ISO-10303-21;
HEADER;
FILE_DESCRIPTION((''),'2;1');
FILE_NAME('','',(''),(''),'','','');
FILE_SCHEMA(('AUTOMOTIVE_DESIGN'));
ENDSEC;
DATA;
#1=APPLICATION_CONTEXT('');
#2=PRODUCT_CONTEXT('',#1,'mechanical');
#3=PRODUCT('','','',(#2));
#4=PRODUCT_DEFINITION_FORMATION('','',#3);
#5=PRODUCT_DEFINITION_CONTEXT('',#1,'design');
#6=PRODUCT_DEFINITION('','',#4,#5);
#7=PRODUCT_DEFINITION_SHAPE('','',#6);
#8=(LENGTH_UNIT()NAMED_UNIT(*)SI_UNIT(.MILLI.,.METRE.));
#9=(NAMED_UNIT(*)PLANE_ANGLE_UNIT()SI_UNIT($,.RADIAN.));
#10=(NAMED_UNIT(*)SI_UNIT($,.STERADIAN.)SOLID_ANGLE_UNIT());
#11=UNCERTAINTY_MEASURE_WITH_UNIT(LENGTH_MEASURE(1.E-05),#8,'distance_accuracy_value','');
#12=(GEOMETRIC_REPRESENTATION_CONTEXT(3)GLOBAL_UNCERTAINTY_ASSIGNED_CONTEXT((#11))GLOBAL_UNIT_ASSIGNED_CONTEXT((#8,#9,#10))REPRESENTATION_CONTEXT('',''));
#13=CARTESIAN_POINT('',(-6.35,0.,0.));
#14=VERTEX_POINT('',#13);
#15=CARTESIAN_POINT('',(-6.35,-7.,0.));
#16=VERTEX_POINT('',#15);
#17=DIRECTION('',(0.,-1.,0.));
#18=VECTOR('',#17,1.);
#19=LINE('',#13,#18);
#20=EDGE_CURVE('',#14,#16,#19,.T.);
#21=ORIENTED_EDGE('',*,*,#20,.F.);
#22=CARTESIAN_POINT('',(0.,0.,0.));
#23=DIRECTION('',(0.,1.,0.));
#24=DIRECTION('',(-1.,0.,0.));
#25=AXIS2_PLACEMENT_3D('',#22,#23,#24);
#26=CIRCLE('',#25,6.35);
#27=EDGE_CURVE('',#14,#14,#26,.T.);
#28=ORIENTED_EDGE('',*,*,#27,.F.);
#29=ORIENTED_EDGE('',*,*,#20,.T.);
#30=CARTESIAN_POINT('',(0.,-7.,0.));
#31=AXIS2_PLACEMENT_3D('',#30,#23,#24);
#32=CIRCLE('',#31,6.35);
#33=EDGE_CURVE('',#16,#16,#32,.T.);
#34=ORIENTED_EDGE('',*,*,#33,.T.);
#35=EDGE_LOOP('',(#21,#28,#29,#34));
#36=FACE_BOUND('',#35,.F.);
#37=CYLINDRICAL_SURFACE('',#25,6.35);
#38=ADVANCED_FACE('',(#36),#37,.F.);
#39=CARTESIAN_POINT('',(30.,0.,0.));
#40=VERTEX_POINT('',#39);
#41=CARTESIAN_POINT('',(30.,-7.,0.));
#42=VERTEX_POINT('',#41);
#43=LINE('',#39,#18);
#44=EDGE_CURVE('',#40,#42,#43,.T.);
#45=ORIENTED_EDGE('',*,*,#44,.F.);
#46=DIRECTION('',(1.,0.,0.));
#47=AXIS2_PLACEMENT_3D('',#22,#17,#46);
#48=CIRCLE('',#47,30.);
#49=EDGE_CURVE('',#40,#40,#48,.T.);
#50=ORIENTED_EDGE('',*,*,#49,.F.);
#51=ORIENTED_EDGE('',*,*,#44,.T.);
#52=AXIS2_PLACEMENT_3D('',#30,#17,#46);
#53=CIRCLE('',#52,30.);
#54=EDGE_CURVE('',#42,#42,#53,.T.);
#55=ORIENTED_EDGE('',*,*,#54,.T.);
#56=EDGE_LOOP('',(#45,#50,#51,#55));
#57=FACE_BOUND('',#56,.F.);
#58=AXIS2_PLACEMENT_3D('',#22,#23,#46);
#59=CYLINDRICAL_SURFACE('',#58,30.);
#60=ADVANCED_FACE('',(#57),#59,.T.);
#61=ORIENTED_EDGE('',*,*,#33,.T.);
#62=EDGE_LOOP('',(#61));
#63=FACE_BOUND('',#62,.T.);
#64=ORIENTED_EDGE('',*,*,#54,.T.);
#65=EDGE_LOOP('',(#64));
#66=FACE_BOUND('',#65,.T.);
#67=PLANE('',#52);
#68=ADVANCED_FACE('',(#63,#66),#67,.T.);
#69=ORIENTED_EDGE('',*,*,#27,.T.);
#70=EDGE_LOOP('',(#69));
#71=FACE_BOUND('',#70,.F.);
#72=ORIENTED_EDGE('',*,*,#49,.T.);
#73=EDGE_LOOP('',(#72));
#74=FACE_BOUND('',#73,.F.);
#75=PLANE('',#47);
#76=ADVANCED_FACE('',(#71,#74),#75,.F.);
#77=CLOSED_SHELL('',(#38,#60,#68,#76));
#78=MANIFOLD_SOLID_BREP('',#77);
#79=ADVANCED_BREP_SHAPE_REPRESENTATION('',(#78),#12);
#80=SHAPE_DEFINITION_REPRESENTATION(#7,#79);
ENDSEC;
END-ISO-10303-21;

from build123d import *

# Parameters (mm, degrees)
F0_R     = 30
F1_DEPTH = 7
F2_R     = 6.35
F3_DEPTH = 7.001


with BuildPart() as f1:
    # F0 (on Front) → F1 (new body)
    with BuildSketch(Plane.XZ):
        Circle(F0_R)
    extrude(amount=F1_DEPTH)

    # F2 (on face) → F3 (cut, through all)
    with BuildSketch(Plane(origin=(0, 0, 0), x_dir=(-1, 0, 0), z_dir=(0, 1, 0))):
        Circle(F2_R)
    extrude(amount=-F3_DEPTH, mode=Mode.SUBTRACT)


solid = f1.part
